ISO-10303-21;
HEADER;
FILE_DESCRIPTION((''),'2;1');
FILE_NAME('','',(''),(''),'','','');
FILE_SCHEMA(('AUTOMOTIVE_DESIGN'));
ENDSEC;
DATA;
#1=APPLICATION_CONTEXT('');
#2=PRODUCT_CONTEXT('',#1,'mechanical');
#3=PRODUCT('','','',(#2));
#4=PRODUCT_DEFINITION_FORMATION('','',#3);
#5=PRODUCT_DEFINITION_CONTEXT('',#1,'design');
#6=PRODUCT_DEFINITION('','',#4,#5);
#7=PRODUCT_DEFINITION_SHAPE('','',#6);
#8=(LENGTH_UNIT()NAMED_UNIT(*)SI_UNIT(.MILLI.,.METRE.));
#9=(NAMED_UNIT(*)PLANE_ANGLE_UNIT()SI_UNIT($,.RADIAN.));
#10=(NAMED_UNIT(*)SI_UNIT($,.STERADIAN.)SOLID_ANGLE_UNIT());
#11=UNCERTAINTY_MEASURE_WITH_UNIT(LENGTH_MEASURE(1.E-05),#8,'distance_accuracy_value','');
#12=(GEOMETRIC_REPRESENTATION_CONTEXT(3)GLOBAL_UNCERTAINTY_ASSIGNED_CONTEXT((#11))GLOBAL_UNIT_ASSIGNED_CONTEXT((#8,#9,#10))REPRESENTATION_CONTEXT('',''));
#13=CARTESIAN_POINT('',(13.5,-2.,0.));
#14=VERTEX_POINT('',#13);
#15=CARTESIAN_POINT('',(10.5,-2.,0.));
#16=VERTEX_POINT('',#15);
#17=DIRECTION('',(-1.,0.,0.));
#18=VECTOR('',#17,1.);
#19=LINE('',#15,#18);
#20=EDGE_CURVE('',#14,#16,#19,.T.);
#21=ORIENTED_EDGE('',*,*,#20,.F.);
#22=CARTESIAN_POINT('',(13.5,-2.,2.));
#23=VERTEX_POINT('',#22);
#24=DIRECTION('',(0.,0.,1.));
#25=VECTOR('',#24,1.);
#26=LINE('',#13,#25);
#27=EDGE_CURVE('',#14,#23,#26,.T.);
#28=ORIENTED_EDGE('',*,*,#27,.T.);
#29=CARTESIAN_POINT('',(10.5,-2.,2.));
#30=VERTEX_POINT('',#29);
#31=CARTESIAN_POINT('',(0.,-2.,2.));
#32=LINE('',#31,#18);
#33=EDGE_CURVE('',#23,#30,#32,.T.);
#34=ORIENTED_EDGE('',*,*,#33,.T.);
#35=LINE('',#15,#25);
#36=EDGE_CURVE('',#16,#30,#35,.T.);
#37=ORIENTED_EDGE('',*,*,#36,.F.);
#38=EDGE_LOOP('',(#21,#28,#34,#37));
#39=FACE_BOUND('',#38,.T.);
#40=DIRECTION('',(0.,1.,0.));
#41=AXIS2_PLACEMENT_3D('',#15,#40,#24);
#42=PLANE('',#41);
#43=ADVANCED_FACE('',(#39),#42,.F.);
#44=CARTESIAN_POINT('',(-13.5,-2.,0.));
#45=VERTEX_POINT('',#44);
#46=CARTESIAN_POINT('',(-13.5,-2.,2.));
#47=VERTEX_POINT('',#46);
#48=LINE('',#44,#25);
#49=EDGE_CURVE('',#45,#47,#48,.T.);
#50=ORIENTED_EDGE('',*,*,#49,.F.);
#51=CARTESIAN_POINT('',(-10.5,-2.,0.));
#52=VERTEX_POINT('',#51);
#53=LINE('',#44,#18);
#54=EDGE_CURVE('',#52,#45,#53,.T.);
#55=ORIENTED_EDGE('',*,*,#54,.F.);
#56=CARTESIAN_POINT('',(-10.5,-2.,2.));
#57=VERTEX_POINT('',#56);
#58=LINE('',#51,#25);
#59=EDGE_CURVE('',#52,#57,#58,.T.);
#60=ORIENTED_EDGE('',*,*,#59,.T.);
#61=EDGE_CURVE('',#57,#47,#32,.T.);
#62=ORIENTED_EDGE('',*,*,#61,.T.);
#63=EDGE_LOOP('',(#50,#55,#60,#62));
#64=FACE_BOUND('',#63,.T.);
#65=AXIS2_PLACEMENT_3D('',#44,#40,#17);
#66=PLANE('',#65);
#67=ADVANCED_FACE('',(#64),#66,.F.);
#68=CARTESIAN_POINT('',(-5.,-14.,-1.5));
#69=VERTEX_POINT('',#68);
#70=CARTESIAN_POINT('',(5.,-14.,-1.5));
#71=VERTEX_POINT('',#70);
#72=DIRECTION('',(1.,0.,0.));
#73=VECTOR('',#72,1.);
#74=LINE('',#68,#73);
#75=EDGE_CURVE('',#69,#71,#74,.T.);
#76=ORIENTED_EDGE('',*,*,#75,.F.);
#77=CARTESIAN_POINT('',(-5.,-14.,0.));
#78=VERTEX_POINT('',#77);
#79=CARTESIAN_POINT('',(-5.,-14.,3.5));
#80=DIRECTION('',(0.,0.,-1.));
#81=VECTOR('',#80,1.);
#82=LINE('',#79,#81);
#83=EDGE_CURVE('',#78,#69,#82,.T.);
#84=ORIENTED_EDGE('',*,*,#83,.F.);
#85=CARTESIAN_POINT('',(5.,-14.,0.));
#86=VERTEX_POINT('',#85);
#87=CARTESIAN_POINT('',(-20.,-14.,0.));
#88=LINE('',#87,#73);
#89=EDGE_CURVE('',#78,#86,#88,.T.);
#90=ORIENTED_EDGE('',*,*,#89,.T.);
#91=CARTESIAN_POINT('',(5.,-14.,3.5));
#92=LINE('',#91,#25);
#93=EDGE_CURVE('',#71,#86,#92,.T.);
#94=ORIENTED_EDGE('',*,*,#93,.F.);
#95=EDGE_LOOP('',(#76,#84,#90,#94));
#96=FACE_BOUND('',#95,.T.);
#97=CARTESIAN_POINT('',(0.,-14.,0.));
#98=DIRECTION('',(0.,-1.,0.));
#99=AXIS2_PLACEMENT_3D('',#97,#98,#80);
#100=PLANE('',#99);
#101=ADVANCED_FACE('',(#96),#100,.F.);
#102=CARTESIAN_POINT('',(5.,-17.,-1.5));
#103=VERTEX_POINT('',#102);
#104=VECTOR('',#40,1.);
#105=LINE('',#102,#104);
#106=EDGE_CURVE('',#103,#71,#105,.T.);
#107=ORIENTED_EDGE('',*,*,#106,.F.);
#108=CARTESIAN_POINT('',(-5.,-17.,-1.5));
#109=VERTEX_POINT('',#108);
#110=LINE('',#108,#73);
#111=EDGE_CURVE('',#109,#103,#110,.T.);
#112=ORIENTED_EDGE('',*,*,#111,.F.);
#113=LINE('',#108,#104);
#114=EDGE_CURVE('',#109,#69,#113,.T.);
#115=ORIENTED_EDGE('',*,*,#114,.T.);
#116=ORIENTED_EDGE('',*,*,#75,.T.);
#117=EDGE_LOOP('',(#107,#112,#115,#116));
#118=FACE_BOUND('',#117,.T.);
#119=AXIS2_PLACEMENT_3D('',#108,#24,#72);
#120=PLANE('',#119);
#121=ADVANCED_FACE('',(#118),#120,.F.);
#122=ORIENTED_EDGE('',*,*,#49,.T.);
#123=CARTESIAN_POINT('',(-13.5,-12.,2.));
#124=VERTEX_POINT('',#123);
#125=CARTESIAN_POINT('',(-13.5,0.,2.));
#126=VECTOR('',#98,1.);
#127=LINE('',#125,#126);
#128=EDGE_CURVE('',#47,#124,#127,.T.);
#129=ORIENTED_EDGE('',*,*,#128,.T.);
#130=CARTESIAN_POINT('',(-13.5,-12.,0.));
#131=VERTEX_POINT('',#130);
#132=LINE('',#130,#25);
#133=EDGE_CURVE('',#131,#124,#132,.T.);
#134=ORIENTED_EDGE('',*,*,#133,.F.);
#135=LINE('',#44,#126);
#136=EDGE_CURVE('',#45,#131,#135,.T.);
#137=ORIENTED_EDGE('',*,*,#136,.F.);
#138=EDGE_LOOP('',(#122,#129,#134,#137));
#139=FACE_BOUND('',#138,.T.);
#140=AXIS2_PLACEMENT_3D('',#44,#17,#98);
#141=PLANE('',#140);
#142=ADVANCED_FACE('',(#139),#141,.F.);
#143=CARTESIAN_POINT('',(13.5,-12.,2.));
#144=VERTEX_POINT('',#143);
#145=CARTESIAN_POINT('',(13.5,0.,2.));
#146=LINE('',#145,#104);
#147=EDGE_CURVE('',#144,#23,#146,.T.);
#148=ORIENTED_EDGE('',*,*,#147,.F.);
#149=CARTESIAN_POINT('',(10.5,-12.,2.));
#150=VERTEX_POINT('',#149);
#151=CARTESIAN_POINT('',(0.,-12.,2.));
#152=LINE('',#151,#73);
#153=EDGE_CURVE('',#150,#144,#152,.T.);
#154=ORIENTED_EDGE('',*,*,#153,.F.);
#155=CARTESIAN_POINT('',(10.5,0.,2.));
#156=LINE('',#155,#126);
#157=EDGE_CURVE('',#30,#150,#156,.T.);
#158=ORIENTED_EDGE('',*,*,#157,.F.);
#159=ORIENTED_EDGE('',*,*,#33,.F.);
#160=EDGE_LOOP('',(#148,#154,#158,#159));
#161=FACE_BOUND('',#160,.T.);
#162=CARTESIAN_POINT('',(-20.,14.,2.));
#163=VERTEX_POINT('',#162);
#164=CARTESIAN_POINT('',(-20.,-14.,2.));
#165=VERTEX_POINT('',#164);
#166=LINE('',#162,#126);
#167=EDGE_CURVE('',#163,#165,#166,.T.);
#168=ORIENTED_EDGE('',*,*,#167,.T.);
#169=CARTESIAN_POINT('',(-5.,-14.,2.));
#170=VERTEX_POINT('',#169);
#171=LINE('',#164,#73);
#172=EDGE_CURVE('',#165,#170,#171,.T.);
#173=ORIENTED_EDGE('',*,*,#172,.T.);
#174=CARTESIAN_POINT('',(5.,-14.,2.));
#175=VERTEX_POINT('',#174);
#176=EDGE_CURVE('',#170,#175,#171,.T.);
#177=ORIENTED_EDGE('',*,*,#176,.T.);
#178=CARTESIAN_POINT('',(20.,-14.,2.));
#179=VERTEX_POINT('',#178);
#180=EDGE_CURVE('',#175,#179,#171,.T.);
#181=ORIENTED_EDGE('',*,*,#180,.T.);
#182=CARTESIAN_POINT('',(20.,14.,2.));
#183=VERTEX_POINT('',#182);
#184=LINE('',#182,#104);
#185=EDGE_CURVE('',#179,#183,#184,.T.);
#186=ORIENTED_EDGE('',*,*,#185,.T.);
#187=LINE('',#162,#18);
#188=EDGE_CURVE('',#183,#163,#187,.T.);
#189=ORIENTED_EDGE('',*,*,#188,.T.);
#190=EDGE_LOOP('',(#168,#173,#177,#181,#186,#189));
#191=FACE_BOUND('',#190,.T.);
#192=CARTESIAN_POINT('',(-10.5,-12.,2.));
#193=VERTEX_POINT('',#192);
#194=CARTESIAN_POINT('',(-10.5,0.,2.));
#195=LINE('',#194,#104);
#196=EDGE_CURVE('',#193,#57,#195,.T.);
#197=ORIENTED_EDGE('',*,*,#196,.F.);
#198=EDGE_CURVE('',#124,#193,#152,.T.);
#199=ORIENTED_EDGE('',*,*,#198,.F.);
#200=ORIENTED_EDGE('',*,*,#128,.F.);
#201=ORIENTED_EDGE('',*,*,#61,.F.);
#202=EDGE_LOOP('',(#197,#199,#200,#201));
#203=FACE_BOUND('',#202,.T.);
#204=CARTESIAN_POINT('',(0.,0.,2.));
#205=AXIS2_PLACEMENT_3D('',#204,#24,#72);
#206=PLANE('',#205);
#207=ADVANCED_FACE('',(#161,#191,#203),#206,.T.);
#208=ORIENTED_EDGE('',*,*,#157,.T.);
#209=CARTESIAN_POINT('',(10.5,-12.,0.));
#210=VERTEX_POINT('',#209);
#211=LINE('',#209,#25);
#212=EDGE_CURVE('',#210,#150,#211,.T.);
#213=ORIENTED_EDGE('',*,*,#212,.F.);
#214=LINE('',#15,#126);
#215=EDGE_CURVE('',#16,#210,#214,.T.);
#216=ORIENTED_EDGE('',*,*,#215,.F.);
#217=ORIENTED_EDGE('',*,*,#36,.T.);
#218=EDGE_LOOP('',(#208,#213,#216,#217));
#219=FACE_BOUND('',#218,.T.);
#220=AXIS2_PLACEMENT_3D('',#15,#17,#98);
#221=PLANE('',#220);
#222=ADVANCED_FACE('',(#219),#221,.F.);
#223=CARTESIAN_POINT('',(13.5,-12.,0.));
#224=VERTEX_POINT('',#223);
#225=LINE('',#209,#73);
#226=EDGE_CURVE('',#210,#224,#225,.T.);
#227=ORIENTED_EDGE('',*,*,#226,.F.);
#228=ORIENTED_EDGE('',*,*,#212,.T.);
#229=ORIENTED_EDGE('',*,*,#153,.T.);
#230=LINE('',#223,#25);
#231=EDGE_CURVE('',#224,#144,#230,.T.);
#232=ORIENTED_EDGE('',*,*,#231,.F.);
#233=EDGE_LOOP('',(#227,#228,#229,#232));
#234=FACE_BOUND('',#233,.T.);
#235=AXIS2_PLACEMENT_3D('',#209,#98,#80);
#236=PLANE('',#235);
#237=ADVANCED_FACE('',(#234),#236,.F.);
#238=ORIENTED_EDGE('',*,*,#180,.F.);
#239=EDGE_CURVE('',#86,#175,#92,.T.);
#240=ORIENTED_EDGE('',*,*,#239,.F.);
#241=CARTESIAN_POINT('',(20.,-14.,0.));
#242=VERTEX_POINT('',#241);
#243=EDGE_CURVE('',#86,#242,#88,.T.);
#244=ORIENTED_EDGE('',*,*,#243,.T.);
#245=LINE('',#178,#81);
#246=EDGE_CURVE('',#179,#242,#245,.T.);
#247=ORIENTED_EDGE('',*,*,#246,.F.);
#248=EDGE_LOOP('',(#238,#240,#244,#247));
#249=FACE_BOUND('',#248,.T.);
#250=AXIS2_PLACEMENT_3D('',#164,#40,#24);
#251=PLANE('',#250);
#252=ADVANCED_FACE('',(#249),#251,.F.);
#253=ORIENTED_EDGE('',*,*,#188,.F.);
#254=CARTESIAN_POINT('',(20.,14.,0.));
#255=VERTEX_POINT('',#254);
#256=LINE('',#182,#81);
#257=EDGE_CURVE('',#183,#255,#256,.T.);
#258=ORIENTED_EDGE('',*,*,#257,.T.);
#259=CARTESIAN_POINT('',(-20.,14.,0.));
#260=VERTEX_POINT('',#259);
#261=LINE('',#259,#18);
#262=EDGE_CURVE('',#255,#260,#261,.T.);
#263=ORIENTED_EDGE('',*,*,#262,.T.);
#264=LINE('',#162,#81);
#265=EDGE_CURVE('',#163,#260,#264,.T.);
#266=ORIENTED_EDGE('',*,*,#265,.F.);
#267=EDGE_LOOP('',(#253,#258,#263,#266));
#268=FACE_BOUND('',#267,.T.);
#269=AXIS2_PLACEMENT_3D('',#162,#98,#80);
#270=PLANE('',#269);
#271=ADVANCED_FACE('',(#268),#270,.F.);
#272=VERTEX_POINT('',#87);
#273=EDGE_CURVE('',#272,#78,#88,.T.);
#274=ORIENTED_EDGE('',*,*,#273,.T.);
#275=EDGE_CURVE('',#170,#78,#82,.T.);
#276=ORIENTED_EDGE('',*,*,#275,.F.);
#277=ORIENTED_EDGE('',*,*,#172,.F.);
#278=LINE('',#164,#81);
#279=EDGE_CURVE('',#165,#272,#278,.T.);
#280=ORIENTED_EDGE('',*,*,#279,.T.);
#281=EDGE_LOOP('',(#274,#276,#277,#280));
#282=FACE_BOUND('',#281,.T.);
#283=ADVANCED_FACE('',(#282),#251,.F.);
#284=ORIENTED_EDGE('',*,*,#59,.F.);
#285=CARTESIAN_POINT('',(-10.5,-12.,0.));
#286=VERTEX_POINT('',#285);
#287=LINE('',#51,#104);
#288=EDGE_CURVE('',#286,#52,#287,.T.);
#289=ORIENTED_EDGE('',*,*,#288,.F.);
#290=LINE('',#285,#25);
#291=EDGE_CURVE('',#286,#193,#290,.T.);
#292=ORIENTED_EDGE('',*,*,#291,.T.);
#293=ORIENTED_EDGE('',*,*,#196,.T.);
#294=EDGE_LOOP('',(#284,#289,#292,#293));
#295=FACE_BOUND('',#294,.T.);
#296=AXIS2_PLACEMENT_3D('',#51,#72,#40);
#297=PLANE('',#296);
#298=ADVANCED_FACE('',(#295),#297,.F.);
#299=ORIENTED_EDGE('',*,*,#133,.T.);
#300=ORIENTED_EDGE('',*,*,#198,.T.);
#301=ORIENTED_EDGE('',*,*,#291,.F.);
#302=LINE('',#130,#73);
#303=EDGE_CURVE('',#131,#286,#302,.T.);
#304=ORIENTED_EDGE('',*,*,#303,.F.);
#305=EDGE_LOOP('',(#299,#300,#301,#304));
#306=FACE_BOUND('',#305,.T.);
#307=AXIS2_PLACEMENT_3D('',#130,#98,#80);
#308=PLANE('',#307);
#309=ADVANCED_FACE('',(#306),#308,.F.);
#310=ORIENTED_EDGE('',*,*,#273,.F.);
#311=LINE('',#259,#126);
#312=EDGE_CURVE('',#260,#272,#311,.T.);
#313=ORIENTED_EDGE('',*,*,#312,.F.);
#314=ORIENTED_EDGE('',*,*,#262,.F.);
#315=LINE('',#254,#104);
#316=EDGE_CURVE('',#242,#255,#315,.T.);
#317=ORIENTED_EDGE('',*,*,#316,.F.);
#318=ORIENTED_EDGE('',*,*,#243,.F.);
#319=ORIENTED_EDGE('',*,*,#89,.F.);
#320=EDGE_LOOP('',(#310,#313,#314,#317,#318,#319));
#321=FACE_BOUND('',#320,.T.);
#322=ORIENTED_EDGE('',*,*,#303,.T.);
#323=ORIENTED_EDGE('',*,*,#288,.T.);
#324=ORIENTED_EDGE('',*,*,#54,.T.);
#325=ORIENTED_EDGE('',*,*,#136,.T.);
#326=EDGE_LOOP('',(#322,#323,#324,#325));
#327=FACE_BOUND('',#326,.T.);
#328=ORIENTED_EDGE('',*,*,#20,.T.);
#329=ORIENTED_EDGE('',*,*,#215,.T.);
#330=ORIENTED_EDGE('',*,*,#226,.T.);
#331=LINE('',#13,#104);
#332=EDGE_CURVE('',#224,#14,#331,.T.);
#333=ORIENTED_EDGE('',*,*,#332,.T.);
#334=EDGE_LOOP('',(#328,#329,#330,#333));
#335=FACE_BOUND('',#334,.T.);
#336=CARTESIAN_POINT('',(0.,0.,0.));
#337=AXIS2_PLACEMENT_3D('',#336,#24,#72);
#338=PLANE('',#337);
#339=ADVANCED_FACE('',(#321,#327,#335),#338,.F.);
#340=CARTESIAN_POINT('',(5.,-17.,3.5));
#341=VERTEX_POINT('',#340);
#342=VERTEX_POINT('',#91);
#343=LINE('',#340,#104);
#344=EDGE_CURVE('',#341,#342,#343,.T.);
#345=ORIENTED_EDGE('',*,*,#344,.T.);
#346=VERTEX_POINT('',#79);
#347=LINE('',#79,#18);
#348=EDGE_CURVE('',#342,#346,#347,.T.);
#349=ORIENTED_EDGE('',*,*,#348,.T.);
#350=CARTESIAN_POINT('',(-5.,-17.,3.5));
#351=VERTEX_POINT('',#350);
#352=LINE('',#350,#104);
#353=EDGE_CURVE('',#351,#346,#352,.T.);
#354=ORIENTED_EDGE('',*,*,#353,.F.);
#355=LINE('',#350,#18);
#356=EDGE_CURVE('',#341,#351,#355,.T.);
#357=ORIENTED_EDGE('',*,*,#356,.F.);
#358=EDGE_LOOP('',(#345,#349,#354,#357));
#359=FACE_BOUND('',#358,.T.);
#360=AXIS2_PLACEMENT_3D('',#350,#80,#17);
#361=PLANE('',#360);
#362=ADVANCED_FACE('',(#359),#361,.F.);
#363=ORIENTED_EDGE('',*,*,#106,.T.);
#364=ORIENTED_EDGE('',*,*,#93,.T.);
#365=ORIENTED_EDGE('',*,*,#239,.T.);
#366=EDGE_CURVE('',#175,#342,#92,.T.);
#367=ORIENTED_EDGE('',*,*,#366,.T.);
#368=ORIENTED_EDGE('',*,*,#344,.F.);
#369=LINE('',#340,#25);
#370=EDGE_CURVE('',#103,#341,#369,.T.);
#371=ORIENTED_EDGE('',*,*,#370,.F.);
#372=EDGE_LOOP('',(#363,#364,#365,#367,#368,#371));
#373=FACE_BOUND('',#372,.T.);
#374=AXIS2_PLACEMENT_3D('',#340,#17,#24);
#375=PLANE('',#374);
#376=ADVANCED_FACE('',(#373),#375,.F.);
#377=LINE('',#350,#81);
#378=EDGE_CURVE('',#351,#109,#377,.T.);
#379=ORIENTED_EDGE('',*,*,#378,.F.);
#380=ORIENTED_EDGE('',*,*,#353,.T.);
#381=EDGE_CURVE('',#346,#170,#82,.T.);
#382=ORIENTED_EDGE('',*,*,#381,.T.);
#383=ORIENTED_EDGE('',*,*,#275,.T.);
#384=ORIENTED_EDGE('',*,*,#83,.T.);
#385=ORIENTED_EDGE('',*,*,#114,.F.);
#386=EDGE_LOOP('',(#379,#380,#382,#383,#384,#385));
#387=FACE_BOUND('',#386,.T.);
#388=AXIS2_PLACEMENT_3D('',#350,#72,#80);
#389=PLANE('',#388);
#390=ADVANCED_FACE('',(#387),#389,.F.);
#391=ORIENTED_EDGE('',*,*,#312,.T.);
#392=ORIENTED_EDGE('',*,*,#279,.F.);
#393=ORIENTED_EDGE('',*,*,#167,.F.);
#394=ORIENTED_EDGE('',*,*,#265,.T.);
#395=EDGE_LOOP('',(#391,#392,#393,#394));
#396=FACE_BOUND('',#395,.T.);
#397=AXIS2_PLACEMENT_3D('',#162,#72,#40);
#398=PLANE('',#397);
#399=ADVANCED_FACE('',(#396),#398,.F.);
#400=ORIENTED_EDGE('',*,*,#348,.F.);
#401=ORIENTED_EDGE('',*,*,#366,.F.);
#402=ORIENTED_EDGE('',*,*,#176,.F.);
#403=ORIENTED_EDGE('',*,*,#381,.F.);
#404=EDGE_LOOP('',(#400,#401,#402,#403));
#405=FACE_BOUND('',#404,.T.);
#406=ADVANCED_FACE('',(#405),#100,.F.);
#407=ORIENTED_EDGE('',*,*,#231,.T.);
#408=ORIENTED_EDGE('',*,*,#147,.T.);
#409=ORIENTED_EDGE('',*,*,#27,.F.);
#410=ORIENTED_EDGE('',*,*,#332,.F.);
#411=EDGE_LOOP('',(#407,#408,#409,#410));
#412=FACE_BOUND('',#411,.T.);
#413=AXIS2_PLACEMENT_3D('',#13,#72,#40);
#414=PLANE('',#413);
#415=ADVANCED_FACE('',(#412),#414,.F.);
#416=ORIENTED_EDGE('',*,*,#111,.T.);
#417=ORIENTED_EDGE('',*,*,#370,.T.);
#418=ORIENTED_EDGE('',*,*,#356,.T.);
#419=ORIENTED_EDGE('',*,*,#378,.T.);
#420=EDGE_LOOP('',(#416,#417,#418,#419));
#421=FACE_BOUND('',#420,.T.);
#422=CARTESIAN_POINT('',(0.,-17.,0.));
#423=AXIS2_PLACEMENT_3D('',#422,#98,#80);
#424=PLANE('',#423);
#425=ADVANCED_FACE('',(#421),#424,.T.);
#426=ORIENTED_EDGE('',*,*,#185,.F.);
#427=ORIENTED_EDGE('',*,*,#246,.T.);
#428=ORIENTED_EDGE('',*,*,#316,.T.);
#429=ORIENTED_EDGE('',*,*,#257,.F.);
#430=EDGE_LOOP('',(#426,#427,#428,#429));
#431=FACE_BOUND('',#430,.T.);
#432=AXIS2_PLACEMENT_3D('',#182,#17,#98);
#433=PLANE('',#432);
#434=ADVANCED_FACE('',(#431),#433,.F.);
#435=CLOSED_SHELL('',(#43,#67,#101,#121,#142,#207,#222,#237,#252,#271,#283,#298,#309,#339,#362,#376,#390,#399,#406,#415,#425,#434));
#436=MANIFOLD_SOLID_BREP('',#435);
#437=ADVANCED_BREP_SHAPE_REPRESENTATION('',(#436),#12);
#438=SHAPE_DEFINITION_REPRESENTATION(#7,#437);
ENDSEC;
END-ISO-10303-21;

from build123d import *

# Parameters (mm, degrees)
SKETCH1_W               = 40
SKETCH1_H               = 28
BOSS_EXTRUDE1_DEPTH     = 2
CUT_EXTRUDE1_DEPTH      = 25.494897428
CUT_EXTRUDE1_DEPTH_BACK = 25.494897428
SKETCH2_W               = 3
SKETCH2_H               = 10
SKETCH5_W               = 10
SKETCH5_H               = 5
BOSS_EXTRUDE2_DEPTH     = 3


with BuildPart() as part:
    # Sketch1 → Boss-Extrude1 (new body)
    with BuildSketch(Plane.XY):
        Rectangle(SKETCH1_W, SKETCH1_H)
    extrude(amount=BOSS_EXTRUDE1_DEPTH)

    # Sketch2 → Cut-Extrude1 (cut, two sides: drawn at the far end of the back side and taken through both)
    with BuildSketch(Plane.XY.offset(2).offset(-CUT_EXTRUDE1_DEPTH_BACK)):
        with Locations((-12, -7)):
            Rectangle(SKETCH2_W, SKETCH2_H)
        with Locations((12, -7)):
            Rectangle(SKETCH2_W, SKETCH2_H)
    extrude(amount=CUT_EXTRUDE1_DEPTH + CUT_EXTRUDE1_DEPTH_BACK, mode=Mode.SUBTRACT)

    # Sketch5 → Boss-Extrude2 (add)
    with BuildSketch(Plane(origin=(0, -14, 0), x_dir=(-1, 0, 0), z_dir=(0, -1, 0))):
        with Locations((0, -1)):
            Rectangle(SKETCH5_W, SKETCH5_H)
    extrude(amount=BOSS_EXTRUDE2_DEPTH)


solid = part.part
